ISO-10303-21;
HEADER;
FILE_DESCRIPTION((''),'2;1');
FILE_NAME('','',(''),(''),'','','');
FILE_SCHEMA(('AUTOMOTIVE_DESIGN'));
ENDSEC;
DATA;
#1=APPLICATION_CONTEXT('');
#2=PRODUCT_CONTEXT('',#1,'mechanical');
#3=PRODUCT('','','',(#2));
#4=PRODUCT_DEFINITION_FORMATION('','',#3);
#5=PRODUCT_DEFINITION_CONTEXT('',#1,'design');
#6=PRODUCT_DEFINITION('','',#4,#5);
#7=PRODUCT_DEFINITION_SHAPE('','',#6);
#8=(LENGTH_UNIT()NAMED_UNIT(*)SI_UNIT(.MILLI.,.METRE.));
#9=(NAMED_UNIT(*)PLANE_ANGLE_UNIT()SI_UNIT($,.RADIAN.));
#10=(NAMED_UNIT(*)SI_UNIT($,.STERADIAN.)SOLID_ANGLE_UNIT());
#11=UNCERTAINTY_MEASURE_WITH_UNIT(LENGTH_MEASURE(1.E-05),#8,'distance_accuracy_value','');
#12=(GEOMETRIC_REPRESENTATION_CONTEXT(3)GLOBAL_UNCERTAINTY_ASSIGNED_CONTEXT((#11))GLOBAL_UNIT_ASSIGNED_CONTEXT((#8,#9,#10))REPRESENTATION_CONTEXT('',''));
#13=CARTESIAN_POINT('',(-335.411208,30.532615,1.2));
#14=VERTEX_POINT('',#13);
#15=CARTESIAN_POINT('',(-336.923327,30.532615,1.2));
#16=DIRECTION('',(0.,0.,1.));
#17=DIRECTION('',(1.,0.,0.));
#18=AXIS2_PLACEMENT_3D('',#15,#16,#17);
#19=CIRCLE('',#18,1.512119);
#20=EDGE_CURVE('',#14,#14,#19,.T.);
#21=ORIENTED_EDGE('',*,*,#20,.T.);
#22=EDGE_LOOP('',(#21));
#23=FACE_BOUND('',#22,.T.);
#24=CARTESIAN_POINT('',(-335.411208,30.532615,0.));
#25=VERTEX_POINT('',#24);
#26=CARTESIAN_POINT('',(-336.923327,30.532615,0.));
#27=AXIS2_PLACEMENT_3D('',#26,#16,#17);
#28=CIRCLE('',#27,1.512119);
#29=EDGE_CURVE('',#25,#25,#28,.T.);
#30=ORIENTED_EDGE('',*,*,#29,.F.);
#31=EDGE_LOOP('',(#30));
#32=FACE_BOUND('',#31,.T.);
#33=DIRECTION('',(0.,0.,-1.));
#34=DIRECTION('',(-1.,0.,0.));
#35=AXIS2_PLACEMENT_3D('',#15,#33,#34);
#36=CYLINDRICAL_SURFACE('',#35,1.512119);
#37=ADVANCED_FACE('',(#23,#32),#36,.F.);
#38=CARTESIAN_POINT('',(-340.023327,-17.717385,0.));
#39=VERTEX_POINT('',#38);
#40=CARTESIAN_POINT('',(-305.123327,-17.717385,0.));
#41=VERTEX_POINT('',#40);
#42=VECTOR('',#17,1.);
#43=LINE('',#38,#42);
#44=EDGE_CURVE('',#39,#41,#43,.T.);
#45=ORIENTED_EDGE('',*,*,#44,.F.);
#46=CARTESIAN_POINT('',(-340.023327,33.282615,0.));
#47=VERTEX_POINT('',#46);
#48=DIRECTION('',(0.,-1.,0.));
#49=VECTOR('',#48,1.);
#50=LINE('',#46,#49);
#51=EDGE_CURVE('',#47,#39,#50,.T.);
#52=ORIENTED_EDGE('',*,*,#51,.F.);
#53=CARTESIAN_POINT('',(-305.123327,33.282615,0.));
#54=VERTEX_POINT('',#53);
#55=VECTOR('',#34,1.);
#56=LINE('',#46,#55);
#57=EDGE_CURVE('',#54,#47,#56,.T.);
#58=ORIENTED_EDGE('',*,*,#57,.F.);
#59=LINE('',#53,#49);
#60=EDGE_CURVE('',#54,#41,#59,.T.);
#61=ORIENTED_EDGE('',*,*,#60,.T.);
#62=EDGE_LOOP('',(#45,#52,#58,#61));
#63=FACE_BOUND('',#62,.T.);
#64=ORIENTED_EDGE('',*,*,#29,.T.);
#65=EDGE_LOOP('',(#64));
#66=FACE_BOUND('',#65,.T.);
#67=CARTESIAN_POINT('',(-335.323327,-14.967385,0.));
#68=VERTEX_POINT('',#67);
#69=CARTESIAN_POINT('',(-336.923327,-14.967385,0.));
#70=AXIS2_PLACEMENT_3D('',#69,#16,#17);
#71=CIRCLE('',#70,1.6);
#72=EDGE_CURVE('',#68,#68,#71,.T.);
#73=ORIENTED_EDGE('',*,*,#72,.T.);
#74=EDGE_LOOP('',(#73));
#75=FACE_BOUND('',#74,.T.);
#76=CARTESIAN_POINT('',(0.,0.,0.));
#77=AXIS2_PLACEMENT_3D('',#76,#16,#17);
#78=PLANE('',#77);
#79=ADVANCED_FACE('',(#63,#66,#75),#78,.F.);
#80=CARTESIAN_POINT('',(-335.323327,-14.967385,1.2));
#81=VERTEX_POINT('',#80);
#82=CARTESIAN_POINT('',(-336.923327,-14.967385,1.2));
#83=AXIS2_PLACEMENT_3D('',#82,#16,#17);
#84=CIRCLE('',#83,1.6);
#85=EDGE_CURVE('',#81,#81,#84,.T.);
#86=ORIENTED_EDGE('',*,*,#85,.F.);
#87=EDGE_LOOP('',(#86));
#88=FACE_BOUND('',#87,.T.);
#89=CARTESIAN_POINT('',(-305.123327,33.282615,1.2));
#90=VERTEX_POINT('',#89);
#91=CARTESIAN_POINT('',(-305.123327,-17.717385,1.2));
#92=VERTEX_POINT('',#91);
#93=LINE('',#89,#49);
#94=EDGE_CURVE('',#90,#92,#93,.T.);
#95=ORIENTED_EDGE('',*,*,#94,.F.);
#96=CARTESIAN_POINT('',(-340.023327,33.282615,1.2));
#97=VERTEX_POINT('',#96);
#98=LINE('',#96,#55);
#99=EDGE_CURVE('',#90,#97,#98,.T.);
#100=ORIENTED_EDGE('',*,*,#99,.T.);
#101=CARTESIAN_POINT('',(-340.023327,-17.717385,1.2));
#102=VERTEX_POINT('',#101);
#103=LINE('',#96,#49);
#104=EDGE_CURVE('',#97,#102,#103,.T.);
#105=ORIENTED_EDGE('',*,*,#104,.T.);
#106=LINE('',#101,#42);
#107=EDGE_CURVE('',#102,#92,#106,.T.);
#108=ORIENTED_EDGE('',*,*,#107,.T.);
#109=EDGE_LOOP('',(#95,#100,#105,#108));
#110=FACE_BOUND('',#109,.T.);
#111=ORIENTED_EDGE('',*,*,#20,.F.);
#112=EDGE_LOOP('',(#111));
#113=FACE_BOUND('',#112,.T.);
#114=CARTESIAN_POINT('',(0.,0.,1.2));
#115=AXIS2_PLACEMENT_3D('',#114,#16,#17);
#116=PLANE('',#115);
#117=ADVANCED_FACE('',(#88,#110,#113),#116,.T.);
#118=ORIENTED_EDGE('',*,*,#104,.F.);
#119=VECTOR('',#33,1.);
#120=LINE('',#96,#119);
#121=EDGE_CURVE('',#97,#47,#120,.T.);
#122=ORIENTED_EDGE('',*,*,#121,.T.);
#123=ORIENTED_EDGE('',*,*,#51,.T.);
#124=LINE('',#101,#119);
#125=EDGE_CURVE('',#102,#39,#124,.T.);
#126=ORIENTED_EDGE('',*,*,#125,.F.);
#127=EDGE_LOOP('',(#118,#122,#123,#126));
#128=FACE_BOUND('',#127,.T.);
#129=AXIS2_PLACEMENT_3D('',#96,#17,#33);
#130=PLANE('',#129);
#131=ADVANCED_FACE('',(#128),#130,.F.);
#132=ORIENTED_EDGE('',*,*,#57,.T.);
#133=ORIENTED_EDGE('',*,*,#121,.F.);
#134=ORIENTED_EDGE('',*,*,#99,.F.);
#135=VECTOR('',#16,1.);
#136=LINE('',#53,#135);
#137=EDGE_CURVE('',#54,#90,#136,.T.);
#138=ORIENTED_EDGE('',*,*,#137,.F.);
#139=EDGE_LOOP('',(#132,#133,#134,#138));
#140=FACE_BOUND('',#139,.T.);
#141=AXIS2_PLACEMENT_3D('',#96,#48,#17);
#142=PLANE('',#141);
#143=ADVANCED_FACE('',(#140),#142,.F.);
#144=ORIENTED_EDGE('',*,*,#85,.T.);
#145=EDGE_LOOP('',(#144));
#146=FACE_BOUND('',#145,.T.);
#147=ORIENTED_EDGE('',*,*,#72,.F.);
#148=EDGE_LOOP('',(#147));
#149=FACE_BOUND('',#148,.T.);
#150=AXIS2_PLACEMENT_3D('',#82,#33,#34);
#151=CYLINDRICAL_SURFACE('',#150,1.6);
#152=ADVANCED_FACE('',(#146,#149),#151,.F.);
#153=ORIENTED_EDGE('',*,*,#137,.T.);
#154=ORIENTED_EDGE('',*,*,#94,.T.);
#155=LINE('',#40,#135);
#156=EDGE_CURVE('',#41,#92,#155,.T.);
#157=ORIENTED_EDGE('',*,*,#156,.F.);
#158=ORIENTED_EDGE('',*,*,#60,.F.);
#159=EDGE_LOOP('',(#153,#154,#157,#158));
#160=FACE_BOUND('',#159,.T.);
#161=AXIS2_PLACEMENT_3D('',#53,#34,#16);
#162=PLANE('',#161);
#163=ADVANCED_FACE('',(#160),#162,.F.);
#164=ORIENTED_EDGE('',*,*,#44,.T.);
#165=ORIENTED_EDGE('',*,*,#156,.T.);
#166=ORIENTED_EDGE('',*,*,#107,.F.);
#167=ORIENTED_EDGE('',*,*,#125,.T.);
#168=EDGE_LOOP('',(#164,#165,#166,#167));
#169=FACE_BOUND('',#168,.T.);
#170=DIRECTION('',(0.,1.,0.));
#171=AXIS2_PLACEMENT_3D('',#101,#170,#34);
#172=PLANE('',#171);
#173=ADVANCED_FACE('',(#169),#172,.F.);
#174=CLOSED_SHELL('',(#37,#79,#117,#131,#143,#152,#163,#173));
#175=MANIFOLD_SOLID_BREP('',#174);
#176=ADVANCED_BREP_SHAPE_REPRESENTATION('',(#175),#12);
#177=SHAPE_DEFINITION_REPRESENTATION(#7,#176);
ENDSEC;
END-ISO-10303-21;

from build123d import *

# Parameters (mm, degrees)
SKETCH_1_W          = 69.8
SKETCH_1_H          = 51
SKETCH_1_R          = 1.512119171
SKETCH_1_R_2        = 1.6
EXTRUDE_1_DEPTH     = 1.2
SKETCH_2_W          = 34.9
SKETCH_2_H          = 51
CUT_EXTRUDE_1_DEPTH = 342.65045794


with BuildPart() as part:
    # Эскиз1 → Бобышка-Вытянуть1 (new body)
    with BuildSketch(Plane.XY):
        with Locations((-305.123327031, 7.782615371)):
            Rectangle(SKETCH_1_W, SKETCH_1_H)
        with Locations((-336.923327031, 30.532615371)):
            Circle(SKETCH_1_R, mode=Mode.SUBTRACT)
        with Locations((-336.923327031, -14.967384629)):
            Circle(SKETCH_1_R_2, mode=Mode.SUBTRACT)
        with Locations((-273.323327031, 30.532615371)):
            Circle(SKETCH_1_R_2, mode=Mode.SUBTRACT)
        with Locations((-273.323327031, -14.967384629)):
            Circle(SKETCH_1_R_2, mode=Mode.SUBTRACT)
    extrude(amount=EXTRUDE_1_DEPTH)

    # Эскиз2 → Вырез-Вытянуть1 (cut, through all)
    with BuildSketch(Plane.XY.offset(1.2)):
        with Locations((-287.673327031, 7.782615371)):
            Rectangle(SKETCH_2_W, SKETCH_2_H)
    extrude(amount=-CUT_EXTRUDE_1_DEPTH, mode=Mode.SUBTRACT)


solid = part.part
